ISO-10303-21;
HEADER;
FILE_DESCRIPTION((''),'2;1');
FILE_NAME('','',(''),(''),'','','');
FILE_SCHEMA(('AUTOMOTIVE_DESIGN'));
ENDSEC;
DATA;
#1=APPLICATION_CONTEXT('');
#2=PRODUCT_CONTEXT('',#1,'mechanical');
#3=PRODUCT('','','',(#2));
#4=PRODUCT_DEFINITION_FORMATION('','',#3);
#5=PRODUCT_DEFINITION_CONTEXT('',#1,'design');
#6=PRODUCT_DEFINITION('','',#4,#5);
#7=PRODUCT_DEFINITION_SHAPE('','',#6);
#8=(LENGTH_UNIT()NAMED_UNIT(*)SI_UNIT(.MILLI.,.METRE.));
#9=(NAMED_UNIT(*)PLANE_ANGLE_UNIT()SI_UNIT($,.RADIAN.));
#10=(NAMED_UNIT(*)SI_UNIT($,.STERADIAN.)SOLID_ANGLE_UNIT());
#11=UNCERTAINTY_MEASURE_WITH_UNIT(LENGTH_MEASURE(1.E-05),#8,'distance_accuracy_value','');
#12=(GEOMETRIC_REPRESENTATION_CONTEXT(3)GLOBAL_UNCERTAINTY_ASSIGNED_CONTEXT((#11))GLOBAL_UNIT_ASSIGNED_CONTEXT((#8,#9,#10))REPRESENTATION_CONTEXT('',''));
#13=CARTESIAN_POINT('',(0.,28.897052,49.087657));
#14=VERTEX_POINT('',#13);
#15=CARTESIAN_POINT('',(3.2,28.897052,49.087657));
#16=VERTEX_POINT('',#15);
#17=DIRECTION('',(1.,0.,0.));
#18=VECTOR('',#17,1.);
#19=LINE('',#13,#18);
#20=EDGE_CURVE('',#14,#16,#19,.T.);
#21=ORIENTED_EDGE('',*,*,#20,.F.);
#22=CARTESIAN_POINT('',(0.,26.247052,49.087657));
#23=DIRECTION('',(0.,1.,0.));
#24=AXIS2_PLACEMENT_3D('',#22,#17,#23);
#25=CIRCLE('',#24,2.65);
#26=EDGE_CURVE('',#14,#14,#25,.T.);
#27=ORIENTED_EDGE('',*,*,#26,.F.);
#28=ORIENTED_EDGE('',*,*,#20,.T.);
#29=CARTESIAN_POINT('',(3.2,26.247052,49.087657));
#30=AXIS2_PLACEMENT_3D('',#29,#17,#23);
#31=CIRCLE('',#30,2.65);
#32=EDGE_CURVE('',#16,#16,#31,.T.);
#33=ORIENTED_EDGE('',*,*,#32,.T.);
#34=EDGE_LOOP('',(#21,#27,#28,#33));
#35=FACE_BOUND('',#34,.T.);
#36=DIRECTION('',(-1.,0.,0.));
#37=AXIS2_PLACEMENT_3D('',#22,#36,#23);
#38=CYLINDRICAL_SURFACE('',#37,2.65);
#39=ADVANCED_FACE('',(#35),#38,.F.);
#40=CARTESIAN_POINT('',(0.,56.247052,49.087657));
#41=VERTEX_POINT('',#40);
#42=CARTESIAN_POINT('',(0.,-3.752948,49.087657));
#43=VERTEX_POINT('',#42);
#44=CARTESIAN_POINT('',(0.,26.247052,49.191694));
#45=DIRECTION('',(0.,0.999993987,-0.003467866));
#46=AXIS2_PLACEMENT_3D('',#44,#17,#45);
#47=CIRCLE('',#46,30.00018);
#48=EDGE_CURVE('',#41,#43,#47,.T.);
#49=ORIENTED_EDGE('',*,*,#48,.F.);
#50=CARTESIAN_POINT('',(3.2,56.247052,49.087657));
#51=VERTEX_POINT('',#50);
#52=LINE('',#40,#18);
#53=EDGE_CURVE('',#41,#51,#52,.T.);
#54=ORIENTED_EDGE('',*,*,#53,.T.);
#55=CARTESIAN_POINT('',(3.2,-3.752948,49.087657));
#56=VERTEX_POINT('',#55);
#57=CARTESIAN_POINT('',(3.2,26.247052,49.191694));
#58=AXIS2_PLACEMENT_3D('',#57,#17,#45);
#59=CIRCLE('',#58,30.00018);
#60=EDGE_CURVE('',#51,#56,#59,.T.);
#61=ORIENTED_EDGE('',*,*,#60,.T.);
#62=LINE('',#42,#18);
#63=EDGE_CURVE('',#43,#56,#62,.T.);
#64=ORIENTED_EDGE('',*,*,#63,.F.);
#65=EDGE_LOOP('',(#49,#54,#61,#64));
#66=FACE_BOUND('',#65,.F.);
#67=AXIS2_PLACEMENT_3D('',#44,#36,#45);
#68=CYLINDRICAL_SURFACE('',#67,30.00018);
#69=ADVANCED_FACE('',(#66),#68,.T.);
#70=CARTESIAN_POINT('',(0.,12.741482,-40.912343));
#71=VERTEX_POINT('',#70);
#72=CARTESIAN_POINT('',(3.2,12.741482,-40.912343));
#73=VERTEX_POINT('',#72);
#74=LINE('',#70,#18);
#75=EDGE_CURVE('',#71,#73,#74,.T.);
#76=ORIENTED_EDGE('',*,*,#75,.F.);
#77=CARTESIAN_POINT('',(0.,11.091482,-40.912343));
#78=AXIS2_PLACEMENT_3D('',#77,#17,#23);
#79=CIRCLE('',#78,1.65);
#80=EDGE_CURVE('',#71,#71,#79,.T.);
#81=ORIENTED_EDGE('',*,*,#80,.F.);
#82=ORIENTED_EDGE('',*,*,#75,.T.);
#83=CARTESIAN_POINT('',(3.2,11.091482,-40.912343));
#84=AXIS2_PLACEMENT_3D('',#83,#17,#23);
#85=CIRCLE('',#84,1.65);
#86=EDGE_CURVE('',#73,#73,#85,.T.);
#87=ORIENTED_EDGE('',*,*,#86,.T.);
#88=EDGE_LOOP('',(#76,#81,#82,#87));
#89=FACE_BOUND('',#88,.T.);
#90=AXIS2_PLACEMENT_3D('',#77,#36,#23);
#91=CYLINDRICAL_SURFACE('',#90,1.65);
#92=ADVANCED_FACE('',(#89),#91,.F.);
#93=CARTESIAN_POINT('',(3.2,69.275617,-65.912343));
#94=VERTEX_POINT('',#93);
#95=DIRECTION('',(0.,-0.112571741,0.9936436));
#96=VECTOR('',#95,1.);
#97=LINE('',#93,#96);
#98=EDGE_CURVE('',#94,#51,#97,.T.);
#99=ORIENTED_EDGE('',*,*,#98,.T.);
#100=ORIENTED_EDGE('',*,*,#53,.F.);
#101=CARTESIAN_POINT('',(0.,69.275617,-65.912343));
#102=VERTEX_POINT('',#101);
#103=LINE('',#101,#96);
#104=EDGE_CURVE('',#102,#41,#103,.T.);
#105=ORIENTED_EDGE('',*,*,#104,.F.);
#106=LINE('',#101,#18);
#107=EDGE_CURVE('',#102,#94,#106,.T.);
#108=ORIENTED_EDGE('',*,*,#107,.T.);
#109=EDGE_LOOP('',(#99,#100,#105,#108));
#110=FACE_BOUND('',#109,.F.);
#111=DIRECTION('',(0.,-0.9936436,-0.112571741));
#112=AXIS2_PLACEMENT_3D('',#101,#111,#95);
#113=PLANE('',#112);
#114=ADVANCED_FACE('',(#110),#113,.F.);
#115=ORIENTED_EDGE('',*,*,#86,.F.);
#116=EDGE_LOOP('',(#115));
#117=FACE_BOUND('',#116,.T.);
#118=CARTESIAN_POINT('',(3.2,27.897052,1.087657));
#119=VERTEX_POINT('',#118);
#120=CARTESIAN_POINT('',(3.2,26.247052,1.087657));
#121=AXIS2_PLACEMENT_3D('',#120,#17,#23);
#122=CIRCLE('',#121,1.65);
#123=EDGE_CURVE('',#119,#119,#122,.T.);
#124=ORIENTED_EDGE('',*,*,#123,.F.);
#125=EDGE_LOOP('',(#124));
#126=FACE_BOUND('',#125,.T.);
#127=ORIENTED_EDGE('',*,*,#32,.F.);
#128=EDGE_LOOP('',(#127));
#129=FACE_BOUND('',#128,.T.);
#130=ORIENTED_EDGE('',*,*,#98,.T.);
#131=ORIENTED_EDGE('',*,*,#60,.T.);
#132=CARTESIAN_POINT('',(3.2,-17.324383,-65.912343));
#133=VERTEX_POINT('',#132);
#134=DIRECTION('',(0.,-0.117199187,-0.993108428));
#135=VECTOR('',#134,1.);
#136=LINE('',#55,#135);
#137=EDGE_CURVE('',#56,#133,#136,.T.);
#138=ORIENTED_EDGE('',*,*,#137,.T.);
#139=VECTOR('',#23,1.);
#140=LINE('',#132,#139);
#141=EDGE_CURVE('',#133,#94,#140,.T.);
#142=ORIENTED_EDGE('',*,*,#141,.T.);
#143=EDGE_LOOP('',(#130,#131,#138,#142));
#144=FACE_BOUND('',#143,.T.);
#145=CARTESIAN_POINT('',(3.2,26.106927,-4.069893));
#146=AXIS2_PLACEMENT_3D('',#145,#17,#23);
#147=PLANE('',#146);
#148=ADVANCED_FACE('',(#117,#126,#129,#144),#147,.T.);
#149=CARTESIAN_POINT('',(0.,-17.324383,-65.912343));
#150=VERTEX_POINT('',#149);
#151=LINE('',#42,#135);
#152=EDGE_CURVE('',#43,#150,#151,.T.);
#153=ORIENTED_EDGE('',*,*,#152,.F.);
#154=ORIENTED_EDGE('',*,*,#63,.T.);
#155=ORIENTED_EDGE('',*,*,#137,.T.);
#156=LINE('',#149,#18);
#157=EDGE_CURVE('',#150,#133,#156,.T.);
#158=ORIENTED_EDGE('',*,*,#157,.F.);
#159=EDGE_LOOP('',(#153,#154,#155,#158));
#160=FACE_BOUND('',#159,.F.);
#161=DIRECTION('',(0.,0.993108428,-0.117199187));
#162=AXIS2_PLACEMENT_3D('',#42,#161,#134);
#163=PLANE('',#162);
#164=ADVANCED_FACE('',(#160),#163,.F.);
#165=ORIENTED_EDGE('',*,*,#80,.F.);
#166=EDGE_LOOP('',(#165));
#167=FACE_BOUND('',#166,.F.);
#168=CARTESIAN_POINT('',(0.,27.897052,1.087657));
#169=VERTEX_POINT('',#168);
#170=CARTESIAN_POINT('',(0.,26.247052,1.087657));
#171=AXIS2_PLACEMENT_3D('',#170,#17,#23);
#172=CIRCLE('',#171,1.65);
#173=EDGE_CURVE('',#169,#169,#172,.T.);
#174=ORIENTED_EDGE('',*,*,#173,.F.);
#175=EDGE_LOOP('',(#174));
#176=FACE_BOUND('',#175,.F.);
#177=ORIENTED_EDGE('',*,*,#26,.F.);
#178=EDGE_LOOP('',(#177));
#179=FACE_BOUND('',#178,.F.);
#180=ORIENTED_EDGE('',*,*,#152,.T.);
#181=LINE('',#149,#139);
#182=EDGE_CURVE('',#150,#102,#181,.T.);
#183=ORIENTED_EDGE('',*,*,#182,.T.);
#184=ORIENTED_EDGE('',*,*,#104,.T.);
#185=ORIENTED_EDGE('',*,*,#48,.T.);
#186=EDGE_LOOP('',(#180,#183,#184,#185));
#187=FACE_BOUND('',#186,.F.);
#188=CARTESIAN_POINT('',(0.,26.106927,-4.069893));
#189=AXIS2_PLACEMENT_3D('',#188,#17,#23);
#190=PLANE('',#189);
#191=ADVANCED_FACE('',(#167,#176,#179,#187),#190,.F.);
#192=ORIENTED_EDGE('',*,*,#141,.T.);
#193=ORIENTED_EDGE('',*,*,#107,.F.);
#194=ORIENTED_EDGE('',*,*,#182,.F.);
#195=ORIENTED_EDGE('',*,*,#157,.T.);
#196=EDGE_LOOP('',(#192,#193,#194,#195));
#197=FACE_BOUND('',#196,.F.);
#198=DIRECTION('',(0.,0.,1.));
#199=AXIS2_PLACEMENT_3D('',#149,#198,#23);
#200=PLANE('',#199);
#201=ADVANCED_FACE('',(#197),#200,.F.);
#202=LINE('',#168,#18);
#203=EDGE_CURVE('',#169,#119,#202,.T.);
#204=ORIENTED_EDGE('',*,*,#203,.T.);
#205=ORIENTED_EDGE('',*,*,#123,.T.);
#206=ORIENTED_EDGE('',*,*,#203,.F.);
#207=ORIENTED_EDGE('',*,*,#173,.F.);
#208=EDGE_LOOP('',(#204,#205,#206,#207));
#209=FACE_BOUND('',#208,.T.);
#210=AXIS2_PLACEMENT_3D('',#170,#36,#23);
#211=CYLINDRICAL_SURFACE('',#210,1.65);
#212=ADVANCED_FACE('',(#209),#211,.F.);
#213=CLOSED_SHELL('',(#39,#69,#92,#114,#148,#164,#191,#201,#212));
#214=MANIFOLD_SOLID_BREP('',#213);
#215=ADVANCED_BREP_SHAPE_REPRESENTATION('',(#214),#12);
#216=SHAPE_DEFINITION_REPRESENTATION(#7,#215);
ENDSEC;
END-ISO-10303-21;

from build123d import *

# Parameters (mm, degrees)
F0_R     = 1.65
F0_R_2   = 2.65
F1_DEPTH = 3.2


with BuildPart() as f1:
    # F0 (on Right) → F1 (new body)
    with BuildSketch(Plane.YZ):
        with BuildLine():
            Line((69.275617, -65.912343), (56.247052, 49.087657))
            ThreePointArc((56.247052, 49.087657), (26.247052, 79.191874), (-3.752948, 49.087657))
            Line((-3.752948, 49.087657), (-17.324383, -65.912343))
            Line((-17.324383, -65.912343), (69.275617, -65.912343))
        make_face()
        with Locations((11.091482, -40.912343)):
            Circle(F0_R, mode=Mode.SUBTRACT)
        with Locations((26.247052, 1.087657)):
            Circle(F0_R, mode=Mode.SUBTRACT)
        with Locations((26.247052, 49.087657)):
            Circle(F0_R_2, mode=Mode.SUBTRACT)
    extrude(amount=F1_DEPTH)


solid = f1.part
